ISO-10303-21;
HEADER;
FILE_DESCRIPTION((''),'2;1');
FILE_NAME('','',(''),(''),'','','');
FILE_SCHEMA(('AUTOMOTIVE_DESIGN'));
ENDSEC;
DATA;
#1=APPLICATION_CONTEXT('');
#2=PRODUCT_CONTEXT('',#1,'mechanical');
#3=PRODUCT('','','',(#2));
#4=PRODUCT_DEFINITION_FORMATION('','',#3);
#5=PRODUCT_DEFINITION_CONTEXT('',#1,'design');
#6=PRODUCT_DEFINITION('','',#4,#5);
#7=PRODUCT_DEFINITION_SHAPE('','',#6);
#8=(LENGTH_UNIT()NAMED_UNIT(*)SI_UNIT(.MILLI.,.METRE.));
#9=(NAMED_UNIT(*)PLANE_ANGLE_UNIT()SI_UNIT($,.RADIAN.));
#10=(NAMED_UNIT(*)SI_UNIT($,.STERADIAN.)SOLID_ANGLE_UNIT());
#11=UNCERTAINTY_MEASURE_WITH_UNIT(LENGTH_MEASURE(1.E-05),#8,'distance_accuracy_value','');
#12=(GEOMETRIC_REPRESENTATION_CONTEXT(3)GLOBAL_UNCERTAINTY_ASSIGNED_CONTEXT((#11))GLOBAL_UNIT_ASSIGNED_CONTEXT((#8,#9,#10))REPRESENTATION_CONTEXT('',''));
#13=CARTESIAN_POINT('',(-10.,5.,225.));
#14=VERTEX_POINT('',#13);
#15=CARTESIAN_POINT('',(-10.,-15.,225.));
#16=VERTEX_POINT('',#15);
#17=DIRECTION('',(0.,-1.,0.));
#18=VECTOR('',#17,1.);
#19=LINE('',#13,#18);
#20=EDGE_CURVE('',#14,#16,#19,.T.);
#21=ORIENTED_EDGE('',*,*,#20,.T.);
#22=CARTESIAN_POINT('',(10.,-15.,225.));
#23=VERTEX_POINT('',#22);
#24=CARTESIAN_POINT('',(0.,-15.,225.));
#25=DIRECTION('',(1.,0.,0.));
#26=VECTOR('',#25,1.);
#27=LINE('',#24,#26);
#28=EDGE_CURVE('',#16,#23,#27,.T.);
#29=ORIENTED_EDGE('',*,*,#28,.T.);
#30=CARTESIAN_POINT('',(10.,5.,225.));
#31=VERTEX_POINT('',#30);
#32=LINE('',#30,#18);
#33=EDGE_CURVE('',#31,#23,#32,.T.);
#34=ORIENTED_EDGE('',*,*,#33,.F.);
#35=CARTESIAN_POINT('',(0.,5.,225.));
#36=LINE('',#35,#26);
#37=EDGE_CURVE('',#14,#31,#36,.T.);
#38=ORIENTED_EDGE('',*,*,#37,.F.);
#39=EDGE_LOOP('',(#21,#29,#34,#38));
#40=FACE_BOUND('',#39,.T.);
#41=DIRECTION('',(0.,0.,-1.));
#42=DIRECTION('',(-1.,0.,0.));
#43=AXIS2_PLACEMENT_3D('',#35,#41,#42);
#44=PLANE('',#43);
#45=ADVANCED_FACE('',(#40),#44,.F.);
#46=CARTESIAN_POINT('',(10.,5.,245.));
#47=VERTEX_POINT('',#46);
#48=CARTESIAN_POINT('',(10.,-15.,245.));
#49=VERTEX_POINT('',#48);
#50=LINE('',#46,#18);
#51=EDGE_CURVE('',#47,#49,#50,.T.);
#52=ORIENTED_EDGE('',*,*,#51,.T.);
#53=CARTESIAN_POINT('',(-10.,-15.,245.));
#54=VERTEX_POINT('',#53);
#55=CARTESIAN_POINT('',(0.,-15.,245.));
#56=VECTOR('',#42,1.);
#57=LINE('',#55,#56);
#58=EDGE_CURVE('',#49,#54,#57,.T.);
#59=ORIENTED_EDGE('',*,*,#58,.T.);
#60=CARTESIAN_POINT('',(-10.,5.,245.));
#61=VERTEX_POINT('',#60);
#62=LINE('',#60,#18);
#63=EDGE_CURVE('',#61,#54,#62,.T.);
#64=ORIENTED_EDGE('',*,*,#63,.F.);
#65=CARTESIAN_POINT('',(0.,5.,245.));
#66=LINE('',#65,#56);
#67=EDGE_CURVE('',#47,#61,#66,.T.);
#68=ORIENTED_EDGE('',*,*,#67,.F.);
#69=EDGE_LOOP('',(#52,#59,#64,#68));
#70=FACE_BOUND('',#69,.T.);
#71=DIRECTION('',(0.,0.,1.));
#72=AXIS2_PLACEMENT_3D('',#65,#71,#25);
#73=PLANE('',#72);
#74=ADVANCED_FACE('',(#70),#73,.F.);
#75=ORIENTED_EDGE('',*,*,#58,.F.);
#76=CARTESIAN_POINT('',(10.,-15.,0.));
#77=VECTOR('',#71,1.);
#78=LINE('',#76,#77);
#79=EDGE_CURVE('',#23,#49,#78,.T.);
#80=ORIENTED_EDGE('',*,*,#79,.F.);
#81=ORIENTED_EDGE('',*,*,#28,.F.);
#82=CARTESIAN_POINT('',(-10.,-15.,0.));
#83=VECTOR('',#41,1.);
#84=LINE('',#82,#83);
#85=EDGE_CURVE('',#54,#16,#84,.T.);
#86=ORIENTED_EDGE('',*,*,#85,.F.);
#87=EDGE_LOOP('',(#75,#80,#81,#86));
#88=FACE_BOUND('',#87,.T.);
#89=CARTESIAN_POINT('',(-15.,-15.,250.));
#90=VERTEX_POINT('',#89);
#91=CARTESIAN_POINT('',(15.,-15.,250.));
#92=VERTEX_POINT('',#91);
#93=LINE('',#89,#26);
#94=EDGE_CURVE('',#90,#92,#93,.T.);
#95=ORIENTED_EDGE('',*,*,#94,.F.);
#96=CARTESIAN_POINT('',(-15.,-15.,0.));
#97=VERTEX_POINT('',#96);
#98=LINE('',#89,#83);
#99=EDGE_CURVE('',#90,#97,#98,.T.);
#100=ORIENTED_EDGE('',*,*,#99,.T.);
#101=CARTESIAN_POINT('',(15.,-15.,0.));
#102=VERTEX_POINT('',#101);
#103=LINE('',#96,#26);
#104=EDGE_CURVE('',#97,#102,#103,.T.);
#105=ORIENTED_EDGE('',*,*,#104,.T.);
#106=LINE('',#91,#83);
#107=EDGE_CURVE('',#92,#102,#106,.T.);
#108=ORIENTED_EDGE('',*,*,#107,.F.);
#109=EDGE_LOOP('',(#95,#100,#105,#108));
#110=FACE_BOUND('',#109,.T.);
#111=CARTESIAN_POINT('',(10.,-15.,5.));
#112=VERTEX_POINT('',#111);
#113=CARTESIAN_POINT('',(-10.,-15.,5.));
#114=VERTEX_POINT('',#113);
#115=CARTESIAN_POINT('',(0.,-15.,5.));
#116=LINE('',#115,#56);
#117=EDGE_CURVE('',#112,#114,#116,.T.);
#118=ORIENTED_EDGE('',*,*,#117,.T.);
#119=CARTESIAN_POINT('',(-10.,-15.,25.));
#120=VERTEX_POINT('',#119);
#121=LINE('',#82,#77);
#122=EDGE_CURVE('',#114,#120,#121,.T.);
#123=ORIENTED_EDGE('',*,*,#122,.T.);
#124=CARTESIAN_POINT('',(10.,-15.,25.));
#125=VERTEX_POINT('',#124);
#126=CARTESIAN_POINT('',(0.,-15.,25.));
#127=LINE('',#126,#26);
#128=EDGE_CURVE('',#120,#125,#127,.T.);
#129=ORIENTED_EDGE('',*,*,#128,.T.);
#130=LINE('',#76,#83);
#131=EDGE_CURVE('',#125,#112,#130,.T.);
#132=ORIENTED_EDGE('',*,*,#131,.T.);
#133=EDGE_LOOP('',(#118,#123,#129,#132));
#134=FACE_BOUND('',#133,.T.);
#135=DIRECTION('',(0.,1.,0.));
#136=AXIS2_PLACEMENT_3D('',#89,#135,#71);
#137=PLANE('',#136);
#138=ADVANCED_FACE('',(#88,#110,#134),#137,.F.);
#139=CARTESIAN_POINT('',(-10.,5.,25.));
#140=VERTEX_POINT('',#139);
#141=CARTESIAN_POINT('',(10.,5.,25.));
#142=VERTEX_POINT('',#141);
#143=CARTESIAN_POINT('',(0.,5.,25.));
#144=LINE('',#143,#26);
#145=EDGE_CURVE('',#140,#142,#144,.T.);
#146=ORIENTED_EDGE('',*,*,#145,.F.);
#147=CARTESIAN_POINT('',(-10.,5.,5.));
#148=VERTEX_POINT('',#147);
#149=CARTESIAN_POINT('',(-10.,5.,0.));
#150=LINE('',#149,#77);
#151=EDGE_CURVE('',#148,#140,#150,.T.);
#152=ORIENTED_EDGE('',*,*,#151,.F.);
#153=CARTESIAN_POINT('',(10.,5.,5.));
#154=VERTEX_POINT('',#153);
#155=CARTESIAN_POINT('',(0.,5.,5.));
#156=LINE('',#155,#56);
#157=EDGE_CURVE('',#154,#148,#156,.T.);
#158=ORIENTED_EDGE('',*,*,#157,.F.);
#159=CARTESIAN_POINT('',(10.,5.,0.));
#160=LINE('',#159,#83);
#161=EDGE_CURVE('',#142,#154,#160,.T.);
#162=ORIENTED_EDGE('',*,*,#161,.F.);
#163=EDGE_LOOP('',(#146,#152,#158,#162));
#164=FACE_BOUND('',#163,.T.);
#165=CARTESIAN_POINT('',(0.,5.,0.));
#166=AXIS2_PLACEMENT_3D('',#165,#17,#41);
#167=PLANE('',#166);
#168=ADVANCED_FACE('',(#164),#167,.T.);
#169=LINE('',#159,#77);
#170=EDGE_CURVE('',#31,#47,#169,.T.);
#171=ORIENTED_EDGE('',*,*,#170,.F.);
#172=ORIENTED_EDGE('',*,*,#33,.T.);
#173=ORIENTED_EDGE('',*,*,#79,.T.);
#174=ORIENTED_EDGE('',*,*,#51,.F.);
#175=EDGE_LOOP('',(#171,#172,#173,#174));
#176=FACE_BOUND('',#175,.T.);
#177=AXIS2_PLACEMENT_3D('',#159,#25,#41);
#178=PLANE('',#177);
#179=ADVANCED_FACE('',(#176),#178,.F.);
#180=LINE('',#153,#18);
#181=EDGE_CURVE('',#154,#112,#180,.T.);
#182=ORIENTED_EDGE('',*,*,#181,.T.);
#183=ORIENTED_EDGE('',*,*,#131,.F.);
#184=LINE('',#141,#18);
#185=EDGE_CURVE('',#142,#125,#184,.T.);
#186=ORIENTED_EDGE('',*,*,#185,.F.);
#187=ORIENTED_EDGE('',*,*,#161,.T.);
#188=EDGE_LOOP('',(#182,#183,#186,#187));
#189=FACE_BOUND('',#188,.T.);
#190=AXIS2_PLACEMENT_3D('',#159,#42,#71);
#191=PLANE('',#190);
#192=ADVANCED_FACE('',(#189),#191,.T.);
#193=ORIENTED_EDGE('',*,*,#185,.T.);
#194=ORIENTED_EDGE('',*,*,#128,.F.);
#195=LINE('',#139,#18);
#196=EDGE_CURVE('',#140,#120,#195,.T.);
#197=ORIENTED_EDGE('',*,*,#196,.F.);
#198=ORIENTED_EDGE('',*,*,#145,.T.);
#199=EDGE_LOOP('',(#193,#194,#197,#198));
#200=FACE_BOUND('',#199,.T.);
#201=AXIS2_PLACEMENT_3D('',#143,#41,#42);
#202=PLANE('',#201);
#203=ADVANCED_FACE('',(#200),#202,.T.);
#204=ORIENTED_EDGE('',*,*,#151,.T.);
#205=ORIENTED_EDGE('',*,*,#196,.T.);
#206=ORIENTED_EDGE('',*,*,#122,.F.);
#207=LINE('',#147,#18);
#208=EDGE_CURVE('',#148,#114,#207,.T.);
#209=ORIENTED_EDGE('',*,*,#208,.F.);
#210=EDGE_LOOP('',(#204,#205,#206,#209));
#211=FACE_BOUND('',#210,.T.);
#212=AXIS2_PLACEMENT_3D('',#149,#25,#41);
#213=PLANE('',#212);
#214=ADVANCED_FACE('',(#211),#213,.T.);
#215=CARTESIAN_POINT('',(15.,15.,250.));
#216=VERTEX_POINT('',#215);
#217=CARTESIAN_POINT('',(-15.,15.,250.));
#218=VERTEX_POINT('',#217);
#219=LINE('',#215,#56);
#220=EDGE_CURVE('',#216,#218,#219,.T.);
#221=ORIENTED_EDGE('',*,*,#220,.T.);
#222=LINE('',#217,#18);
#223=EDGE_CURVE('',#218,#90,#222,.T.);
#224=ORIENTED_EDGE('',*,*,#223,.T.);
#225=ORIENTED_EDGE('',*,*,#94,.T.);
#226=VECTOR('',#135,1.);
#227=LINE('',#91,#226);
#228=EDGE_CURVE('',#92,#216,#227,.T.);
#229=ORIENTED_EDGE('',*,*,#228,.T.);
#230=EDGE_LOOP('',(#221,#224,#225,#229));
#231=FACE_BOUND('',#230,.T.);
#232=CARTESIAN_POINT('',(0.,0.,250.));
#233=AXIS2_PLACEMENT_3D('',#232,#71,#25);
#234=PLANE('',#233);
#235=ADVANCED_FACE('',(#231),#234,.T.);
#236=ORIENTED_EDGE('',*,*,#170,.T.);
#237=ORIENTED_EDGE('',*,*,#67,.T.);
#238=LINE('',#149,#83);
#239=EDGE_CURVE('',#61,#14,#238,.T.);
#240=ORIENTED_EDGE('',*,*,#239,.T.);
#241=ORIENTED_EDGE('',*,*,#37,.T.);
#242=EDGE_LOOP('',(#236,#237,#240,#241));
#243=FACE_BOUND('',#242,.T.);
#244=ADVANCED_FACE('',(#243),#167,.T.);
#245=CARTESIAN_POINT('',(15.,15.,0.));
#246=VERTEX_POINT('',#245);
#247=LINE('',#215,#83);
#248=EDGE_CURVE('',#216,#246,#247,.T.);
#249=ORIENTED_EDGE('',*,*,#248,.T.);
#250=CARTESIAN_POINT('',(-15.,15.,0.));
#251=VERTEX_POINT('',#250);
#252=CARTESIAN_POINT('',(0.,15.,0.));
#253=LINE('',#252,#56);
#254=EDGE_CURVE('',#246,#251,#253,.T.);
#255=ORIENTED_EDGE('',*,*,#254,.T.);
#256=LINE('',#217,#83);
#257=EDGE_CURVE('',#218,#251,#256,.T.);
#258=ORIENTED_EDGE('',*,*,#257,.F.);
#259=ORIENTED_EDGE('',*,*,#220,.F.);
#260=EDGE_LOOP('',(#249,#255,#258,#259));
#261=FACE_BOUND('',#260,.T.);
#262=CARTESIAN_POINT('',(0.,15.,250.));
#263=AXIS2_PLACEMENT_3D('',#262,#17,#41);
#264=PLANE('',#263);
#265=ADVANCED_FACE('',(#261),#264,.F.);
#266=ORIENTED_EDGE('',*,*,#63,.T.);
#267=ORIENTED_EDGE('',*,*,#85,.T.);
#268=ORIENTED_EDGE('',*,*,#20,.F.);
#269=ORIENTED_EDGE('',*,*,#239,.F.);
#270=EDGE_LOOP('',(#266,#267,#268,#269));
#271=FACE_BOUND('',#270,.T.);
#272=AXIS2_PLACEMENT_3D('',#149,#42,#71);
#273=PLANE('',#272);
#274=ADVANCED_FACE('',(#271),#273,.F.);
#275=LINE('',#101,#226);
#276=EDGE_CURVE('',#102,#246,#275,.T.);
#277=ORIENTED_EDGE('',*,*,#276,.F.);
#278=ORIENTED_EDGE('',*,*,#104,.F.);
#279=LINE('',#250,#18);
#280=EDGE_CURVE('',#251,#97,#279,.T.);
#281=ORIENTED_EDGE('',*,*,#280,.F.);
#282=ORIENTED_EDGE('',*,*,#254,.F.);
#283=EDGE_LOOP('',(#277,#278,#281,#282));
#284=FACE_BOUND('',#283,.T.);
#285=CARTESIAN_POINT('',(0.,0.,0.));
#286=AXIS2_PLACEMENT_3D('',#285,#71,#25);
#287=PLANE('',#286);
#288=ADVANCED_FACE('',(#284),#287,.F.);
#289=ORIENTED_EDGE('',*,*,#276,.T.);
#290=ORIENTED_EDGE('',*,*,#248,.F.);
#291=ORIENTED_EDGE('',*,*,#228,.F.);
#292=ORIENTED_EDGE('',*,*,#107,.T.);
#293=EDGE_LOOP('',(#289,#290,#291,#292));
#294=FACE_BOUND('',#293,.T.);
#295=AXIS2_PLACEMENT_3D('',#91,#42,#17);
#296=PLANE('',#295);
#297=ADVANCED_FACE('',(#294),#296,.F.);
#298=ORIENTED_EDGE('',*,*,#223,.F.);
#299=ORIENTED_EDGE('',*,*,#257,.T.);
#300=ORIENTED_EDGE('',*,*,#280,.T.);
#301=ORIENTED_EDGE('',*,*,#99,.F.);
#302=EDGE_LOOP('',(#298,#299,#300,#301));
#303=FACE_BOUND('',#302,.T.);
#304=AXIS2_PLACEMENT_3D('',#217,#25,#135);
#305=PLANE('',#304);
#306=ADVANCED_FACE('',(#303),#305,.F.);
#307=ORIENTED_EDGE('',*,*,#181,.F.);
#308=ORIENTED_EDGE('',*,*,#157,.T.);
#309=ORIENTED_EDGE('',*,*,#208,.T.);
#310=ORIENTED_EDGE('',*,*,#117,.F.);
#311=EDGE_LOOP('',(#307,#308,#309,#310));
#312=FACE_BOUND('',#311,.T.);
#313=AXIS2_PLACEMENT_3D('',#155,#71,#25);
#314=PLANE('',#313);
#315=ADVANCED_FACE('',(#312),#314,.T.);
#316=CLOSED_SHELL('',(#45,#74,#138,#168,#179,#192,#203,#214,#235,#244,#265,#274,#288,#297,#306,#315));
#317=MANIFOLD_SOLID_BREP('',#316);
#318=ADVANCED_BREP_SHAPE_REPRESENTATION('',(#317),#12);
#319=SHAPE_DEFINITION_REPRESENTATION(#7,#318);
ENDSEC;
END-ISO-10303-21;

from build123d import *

# Parameters (mm, degrees)
BOSS_EXTRUDE1_DEPTH = 250
SKETCH3_W           = 20
SKETCH3_H           = 20
CUT_EXTRUDE1_DEPTH  = 20


with BuildPart() as part:
    # Sketch1 → Boss-Extrude1 (new body)
    with BuildSketch(Plane.XY):
        Polygon((0, 15), (-15, 15), (-15, -15), (15, -15), (15, 15), align=None)
    extrude(amount=BOSS_EXTRUDE1_DEPTH)

    # Sketch3 → Cut-Extrude1 (cut)
    with BuildSketch(Plane(origin=(0, -15, 0), x_dir=(-1, 0, 0), z_dir=(0, -1, 0))):
        with Locations((0, -235)):
            Rectangle(SKETCH3_W, SKETCH3_H)
        with Locations((0, -15)):
            Rectangle(SKETCH3_W, SKETCH3_H)
    extrude(amount=-CUT_EXTRUDE1_DEPTH, mode=Mode.SUBTRACT)


solid = part.part
